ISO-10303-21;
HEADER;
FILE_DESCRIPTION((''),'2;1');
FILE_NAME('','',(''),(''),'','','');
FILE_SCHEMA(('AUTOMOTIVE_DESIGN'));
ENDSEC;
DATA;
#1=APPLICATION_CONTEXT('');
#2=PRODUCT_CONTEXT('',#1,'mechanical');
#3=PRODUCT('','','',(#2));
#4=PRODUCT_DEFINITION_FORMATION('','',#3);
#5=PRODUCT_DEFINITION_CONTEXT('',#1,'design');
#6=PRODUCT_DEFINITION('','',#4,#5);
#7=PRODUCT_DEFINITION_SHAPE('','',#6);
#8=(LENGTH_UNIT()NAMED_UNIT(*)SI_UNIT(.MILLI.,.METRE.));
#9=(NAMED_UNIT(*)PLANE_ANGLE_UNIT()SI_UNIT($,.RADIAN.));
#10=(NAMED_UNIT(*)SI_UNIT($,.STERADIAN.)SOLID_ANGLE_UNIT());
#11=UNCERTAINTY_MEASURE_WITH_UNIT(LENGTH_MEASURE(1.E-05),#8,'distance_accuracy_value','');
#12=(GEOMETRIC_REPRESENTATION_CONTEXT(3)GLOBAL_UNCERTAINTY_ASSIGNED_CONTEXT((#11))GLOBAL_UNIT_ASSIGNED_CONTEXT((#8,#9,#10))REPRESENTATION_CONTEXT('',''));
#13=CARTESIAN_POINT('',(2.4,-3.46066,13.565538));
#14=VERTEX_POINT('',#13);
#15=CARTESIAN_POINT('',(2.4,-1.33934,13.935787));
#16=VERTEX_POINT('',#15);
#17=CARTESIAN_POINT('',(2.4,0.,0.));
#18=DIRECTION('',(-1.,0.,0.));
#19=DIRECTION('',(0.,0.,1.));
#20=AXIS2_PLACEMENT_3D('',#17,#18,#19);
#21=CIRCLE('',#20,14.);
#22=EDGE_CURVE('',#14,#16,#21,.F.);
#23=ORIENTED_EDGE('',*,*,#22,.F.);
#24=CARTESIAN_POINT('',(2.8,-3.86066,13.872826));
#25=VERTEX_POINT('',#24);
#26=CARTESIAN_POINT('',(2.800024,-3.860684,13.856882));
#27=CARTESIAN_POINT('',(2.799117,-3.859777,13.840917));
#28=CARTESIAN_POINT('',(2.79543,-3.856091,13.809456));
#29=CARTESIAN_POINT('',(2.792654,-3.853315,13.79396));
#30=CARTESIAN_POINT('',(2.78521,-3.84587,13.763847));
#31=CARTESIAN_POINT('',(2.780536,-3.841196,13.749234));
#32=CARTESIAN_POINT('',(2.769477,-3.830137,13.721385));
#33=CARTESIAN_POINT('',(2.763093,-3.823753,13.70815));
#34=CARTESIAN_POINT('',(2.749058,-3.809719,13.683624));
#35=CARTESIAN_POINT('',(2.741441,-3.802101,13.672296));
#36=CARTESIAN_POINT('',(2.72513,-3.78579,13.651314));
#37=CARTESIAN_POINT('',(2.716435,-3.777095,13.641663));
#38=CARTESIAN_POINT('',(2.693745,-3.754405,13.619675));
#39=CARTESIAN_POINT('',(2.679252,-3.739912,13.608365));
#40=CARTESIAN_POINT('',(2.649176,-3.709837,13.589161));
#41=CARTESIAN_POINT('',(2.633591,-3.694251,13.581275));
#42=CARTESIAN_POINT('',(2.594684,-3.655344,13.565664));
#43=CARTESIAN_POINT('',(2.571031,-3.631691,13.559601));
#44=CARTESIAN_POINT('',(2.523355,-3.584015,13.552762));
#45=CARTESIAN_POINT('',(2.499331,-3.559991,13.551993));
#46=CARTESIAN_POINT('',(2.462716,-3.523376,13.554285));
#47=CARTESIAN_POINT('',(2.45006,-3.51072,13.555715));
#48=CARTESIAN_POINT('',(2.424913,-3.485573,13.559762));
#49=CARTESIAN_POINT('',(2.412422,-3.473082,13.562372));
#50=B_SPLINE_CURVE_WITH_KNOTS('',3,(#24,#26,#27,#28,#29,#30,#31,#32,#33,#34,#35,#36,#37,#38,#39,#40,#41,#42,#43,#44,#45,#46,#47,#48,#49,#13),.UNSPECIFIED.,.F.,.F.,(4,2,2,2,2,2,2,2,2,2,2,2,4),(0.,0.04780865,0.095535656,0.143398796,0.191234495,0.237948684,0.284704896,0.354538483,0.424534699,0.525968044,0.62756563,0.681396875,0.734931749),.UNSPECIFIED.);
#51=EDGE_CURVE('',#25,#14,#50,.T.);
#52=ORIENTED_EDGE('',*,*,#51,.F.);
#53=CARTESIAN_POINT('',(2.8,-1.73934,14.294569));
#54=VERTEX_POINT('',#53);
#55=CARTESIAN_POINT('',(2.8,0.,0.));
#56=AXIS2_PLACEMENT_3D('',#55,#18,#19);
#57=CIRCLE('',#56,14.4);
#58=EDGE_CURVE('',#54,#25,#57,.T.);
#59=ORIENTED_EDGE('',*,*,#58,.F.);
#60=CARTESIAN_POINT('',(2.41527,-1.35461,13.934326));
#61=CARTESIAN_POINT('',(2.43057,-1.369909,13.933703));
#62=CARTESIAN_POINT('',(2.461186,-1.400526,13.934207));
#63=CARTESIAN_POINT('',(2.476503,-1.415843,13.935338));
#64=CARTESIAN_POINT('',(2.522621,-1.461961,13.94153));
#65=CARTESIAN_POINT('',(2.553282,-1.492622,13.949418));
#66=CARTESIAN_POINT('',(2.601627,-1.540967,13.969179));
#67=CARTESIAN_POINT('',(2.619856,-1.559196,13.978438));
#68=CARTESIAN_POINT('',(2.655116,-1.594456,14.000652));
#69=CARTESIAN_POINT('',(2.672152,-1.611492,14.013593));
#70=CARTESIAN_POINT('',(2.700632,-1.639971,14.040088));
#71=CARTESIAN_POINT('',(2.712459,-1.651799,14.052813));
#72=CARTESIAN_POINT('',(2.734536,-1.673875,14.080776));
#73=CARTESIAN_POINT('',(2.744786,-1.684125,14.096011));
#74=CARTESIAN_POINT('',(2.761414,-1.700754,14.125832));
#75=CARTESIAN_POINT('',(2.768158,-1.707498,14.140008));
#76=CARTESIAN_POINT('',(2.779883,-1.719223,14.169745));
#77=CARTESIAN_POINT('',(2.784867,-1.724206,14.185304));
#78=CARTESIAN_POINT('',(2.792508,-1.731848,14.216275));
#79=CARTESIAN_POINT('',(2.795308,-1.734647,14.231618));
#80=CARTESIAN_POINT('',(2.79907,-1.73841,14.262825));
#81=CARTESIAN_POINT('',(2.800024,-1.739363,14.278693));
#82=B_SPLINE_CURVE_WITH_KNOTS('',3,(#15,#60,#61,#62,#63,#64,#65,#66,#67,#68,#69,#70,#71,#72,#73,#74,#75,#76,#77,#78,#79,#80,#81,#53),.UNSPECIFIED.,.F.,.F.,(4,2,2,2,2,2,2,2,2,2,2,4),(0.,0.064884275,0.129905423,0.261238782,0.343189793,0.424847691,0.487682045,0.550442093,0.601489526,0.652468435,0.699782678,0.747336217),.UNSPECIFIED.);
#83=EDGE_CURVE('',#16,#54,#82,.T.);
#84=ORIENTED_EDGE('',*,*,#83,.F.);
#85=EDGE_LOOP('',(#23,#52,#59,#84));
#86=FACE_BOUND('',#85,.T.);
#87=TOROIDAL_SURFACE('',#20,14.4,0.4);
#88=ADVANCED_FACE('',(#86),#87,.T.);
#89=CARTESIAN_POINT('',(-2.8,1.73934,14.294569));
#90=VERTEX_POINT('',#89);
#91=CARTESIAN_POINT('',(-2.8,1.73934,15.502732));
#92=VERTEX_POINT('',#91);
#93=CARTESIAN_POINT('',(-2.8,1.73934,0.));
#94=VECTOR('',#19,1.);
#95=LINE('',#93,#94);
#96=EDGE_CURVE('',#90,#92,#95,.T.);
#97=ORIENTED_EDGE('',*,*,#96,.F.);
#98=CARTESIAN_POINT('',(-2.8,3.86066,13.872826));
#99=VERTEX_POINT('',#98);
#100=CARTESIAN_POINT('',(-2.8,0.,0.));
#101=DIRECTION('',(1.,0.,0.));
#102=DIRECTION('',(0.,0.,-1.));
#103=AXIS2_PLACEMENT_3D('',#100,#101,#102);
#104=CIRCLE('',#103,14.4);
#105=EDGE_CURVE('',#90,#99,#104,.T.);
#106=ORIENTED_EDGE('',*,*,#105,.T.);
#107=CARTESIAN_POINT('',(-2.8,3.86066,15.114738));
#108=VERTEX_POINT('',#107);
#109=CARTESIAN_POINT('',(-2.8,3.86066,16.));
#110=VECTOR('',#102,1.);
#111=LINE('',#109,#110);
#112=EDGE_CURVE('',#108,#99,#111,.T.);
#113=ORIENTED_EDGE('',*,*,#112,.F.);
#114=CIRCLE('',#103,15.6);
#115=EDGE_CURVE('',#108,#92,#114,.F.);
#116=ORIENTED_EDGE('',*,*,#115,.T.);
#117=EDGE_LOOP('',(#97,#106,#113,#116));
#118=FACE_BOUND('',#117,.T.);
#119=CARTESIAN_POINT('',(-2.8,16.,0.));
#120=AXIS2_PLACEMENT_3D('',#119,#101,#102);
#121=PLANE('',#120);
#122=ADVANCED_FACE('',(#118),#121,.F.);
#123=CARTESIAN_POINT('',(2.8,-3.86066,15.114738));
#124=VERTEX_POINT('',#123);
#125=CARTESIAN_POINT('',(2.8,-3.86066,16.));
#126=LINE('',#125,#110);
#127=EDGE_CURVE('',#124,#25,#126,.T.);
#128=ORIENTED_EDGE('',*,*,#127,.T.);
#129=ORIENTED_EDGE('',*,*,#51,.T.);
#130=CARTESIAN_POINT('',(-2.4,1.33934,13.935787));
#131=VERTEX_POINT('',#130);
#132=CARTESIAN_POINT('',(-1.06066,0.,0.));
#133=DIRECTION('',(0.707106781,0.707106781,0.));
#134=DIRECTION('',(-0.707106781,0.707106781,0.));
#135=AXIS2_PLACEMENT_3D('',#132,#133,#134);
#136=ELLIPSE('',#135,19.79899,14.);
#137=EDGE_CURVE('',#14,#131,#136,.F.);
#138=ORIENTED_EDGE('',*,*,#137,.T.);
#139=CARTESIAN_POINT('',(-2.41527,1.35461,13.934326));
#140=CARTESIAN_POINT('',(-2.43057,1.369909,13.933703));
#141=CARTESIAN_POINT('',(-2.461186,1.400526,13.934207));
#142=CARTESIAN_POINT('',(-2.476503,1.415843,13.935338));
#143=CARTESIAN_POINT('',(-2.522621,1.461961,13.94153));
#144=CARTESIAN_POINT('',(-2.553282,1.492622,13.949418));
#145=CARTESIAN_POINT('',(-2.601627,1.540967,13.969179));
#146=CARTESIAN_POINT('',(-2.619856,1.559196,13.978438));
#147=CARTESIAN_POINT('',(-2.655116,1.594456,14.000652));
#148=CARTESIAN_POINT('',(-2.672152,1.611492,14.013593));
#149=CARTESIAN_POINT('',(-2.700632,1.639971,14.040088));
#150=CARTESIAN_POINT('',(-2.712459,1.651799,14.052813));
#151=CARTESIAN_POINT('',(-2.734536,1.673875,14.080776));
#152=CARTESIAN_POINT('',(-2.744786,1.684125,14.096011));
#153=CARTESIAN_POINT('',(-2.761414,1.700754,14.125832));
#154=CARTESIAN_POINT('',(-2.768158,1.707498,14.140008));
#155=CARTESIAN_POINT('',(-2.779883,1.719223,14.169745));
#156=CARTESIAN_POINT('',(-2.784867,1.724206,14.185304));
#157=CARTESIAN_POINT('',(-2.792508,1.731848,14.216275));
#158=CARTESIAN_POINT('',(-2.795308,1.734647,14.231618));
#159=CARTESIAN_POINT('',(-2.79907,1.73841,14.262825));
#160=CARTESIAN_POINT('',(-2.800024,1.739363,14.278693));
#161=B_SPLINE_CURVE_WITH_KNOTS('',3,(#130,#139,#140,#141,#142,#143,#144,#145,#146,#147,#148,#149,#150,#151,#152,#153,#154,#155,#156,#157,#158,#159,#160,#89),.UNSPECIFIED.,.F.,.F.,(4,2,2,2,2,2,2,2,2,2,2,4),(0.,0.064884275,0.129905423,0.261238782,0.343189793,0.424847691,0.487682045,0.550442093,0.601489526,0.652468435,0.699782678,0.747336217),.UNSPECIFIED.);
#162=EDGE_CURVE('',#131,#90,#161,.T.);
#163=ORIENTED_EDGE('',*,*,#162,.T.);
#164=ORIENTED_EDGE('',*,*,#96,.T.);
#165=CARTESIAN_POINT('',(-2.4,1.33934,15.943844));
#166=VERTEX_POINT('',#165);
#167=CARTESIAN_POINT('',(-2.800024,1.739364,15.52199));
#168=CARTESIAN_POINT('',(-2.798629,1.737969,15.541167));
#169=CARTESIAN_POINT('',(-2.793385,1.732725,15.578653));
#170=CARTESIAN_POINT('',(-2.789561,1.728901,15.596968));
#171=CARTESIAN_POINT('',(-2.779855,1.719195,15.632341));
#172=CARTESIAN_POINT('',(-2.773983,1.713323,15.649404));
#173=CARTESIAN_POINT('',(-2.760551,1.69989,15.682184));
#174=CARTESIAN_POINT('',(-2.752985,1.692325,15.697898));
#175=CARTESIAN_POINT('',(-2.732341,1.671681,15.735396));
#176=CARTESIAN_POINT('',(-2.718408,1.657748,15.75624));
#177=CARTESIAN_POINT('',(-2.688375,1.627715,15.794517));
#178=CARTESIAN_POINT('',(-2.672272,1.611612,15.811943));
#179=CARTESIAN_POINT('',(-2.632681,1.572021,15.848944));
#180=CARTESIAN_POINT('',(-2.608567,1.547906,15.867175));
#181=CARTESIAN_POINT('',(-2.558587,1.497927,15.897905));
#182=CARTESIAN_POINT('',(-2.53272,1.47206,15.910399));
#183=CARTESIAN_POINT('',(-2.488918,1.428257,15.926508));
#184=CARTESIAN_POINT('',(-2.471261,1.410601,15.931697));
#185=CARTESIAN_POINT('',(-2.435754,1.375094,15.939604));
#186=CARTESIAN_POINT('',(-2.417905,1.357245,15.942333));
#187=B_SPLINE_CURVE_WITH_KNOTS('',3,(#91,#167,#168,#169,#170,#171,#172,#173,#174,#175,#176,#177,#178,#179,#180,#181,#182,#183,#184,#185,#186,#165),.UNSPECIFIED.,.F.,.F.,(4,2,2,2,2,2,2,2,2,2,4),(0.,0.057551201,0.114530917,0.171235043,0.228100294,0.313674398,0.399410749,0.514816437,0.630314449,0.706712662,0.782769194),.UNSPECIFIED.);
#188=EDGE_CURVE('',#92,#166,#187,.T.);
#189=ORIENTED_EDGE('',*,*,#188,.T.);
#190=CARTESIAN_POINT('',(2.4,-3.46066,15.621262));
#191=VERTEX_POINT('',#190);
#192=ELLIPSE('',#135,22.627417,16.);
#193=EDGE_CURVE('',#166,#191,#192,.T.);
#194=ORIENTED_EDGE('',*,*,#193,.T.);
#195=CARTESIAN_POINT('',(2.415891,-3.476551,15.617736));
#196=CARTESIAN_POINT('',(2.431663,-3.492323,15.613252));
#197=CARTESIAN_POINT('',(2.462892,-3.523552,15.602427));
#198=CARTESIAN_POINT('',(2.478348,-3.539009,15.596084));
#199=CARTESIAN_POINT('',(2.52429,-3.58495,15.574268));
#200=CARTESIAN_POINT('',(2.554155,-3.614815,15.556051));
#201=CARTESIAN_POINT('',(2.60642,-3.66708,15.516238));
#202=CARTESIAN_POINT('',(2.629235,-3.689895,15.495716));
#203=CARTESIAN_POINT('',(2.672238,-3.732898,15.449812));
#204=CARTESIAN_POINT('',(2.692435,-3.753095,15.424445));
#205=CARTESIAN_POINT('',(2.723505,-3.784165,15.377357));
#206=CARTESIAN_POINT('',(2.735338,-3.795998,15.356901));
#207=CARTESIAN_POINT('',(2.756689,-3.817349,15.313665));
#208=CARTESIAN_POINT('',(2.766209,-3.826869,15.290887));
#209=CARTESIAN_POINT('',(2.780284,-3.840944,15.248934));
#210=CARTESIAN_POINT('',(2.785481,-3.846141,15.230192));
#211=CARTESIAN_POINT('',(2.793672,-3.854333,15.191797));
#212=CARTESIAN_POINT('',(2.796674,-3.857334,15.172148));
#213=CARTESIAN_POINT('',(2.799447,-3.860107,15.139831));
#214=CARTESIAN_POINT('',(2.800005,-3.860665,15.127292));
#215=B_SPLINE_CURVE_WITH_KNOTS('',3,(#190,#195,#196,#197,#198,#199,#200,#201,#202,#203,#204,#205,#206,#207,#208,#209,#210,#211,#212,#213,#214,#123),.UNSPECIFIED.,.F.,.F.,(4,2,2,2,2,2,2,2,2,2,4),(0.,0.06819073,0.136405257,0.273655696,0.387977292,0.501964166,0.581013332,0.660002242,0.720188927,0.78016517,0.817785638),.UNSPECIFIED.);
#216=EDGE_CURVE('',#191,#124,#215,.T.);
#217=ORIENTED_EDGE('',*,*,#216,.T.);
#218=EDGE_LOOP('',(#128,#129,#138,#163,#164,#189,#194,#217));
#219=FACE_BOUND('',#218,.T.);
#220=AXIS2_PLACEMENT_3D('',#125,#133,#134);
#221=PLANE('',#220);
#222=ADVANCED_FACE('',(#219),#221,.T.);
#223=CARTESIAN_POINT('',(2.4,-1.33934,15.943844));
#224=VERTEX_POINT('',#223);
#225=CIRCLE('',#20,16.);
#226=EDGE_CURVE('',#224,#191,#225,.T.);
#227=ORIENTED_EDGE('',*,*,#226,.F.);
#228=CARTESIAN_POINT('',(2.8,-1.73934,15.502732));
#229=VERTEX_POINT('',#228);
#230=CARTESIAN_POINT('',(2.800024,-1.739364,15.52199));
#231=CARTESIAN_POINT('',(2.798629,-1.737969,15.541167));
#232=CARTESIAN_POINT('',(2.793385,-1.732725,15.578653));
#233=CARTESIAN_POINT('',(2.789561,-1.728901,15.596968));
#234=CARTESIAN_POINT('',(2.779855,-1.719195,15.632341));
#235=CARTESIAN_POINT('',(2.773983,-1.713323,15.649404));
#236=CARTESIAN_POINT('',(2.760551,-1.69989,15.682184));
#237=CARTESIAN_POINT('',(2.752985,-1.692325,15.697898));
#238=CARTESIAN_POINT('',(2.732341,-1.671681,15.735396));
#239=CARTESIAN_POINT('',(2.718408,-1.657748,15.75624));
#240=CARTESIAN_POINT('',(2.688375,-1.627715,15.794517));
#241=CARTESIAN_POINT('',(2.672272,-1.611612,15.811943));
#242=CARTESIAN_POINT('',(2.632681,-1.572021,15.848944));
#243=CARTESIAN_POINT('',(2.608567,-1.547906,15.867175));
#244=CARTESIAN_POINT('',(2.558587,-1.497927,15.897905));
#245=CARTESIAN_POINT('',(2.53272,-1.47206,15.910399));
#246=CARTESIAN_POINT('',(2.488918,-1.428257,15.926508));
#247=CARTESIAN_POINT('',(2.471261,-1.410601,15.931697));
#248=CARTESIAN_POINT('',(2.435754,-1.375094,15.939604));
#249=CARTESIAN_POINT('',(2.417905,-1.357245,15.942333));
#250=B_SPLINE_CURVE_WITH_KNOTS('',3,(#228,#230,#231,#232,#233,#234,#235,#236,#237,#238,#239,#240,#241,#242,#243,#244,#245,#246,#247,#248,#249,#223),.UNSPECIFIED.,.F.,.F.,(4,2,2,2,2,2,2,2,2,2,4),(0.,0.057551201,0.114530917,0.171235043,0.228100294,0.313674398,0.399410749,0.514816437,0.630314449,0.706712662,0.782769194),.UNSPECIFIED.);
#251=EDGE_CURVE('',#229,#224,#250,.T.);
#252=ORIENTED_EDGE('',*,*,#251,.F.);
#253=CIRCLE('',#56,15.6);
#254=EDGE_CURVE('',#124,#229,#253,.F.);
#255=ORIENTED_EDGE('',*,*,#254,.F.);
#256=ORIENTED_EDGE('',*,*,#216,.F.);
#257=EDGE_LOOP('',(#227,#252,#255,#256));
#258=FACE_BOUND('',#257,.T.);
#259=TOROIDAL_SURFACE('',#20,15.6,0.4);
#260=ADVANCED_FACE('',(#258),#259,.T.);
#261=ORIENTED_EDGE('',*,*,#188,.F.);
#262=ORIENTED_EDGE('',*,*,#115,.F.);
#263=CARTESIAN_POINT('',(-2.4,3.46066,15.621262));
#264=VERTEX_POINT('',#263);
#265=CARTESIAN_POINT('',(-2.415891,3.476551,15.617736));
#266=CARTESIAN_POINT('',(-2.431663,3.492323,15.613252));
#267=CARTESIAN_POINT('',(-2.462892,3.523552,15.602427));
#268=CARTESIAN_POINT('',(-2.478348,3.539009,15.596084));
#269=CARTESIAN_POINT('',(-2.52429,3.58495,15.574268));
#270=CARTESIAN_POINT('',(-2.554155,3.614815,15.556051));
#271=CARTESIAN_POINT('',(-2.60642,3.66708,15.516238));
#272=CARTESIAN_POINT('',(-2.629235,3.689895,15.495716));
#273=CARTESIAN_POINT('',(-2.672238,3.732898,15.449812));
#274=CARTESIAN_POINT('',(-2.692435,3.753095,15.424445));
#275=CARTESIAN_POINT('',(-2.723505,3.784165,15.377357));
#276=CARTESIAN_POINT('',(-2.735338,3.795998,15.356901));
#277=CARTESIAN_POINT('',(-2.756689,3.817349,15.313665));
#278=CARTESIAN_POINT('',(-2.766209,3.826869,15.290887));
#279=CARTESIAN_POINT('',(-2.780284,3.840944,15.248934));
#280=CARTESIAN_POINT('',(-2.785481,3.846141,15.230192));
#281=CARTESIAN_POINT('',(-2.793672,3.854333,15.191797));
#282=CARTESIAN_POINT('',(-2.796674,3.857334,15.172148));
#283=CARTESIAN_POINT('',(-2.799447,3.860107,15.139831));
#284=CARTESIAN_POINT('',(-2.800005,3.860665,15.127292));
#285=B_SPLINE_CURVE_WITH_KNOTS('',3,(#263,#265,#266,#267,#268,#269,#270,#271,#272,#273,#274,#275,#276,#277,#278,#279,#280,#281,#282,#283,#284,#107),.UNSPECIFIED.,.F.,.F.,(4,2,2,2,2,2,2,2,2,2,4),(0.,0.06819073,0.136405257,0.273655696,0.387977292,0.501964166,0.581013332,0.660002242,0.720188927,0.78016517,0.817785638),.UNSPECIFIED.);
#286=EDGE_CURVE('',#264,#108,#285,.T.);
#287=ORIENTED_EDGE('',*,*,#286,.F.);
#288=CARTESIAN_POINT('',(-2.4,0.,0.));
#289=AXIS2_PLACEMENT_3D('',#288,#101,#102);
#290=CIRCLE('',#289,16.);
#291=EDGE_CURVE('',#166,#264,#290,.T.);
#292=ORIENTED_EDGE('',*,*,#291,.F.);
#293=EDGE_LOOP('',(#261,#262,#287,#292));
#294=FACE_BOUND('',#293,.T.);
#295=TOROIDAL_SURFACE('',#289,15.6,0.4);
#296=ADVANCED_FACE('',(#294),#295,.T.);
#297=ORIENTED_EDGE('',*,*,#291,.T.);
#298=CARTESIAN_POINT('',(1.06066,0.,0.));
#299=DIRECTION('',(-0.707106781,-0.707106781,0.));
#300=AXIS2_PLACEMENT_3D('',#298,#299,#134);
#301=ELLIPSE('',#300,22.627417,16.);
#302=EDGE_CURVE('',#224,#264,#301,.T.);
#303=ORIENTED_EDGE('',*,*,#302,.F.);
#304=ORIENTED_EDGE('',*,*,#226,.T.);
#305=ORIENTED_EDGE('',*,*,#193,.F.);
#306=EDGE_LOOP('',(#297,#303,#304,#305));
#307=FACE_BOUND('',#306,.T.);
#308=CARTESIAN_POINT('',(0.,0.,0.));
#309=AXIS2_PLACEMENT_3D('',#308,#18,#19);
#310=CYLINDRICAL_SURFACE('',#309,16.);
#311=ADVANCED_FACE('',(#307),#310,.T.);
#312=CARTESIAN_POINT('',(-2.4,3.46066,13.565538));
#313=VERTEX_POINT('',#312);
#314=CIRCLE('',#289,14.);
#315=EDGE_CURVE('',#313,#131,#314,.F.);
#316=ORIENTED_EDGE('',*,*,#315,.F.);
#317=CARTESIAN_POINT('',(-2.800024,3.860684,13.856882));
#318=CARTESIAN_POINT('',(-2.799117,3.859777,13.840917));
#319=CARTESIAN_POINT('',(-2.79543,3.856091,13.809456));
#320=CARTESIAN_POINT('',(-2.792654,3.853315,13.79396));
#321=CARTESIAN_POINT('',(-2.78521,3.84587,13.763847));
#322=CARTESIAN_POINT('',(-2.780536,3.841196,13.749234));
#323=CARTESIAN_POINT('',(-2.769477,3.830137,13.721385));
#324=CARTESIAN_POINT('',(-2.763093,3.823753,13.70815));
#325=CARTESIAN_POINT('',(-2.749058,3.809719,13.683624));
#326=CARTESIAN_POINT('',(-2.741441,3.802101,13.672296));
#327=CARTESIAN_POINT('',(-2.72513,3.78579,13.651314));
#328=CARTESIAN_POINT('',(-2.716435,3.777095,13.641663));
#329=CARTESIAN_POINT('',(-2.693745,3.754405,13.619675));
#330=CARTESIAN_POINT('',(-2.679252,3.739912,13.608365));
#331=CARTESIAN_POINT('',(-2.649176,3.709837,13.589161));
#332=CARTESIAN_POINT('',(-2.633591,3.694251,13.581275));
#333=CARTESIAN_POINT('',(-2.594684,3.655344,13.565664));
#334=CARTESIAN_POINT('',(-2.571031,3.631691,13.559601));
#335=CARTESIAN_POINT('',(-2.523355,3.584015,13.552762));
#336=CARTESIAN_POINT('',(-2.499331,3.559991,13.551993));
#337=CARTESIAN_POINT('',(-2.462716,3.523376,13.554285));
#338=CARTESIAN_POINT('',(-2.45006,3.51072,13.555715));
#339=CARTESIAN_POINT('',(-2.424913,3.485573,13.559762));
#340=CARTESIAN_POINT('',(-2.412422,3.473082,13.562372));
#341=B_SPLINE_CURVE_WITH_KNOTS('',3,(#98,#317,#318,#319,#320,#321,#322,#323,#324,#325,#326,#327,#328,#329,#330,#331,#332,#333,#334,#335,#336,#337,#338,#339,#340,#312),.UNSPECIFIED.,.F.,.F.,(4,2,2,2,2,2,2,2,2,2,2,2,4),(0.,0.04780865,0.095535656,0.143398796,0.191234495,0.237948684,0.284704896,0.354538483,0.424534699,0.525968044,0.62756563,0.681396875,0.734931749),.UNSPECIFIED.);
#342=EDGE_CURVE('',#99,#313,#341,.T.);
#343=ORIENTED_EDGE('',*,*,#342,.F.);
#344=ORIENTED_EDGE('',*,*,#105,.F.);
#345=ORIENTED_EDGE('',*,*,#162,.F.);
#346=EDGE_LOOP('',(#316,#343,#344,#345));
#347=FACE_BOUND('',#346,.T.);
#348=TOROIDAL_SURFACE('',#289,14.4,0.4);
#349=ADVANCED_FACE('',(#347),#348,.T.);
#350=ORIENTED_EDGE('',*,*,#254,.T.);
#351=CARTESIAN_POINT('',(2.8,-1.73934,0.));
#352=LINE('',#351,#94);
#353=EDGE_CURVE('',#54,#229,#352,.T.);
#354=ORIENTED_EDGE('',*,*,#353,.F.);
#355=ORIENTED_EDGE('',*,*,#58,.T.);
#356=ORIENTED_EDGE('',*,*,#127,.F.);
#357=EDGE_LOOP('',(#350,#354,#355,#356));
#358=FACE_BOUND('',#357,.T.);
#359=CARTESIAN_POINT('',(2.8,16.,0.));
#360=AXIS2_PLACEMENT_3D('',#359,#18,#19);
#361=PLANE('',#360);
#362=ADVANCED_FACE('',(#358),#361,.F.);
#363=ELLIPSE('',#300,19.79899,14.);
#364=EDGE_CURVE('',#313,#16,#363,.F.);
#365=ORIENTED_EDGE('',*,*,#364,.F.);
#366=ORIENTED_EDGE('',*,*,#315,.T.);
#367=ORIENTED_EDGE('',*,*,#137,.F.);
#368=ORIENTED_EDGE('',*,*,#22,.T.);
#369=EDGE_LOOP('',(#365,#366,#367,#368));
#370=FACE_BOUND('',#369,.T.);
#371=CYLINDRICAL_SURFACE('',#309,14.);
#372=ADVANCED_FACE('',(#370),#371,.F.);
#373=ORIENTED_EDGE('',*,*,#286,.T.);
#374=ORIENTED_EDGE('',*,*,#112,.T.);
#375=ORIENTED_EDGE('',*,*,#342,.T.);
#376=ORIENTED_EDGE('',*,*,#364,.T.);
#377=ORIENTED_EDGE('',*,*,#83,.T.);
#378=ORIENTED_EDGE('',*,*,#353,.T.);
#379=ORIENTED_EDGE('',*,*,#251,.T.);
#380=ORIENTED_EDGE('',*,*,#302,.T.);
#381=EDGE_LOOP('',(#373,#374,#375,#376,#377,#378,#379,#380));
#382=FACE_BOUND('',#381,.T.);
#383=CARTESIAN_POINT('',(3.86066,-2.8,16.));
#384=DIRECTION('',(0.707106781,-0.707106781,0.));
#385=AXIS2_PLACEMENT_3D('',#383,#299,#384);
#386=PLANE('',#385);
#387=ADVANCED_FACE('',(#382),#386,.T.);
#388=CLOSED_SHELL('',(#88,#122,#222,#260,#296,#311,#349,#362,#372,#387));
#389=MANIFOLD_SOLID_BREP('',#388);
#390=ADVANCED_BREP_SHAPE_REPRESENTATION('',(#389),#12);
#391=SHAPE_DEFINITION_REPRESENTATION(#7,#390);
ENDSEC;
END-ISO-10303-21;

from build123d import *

# Parameters (mm, degrees)
SKETCH_1_W          = 5.6
SKETCH_1_H          = 2
CUT_EXTRUDE_1_DEPTH = 17
FILLET_1_R          = 0.4


with BuildPart() as part:
    # Эскиз1 → Повернуть1 (revolve)
    with BuildSketch(Plane.XY):
        with Locations((0, 15)):
            Rectangle(SKETCH_1_W, SKETCH_1_H)
    revolve(axis=Axis((0, 0, 0), (1, 0, 0)))

    # Эскиз2 → Вырез-Вытянуть1 (cut, through all)
    with BuildSketch(Plane.XY):
        Polygon((2.8, -3.860660172), (-3.860660172, 2.8), (-2.8, 3.860660172), (3.860660172, -2.8), align=None)
    extrude(amount=CUT_EXTRUDE_1_DEPTH, mode=Mode.SUBTRACT)

    # Скругление1
    fillet_1_edges = [part.edges().sort_by_distance(p)[0] for p in [
        (-2.8, -11.912796423, -10.681071172),
        (2.8, -9.854680037, -12.604970503),
        (-2.8, -10.496446008, -9.264157879),
        (2.8, -8.424688647, -11.181440927),
    ]]
    fillet(fillet_1_edges, radius=FILLET_1_R)


solid = part.part
